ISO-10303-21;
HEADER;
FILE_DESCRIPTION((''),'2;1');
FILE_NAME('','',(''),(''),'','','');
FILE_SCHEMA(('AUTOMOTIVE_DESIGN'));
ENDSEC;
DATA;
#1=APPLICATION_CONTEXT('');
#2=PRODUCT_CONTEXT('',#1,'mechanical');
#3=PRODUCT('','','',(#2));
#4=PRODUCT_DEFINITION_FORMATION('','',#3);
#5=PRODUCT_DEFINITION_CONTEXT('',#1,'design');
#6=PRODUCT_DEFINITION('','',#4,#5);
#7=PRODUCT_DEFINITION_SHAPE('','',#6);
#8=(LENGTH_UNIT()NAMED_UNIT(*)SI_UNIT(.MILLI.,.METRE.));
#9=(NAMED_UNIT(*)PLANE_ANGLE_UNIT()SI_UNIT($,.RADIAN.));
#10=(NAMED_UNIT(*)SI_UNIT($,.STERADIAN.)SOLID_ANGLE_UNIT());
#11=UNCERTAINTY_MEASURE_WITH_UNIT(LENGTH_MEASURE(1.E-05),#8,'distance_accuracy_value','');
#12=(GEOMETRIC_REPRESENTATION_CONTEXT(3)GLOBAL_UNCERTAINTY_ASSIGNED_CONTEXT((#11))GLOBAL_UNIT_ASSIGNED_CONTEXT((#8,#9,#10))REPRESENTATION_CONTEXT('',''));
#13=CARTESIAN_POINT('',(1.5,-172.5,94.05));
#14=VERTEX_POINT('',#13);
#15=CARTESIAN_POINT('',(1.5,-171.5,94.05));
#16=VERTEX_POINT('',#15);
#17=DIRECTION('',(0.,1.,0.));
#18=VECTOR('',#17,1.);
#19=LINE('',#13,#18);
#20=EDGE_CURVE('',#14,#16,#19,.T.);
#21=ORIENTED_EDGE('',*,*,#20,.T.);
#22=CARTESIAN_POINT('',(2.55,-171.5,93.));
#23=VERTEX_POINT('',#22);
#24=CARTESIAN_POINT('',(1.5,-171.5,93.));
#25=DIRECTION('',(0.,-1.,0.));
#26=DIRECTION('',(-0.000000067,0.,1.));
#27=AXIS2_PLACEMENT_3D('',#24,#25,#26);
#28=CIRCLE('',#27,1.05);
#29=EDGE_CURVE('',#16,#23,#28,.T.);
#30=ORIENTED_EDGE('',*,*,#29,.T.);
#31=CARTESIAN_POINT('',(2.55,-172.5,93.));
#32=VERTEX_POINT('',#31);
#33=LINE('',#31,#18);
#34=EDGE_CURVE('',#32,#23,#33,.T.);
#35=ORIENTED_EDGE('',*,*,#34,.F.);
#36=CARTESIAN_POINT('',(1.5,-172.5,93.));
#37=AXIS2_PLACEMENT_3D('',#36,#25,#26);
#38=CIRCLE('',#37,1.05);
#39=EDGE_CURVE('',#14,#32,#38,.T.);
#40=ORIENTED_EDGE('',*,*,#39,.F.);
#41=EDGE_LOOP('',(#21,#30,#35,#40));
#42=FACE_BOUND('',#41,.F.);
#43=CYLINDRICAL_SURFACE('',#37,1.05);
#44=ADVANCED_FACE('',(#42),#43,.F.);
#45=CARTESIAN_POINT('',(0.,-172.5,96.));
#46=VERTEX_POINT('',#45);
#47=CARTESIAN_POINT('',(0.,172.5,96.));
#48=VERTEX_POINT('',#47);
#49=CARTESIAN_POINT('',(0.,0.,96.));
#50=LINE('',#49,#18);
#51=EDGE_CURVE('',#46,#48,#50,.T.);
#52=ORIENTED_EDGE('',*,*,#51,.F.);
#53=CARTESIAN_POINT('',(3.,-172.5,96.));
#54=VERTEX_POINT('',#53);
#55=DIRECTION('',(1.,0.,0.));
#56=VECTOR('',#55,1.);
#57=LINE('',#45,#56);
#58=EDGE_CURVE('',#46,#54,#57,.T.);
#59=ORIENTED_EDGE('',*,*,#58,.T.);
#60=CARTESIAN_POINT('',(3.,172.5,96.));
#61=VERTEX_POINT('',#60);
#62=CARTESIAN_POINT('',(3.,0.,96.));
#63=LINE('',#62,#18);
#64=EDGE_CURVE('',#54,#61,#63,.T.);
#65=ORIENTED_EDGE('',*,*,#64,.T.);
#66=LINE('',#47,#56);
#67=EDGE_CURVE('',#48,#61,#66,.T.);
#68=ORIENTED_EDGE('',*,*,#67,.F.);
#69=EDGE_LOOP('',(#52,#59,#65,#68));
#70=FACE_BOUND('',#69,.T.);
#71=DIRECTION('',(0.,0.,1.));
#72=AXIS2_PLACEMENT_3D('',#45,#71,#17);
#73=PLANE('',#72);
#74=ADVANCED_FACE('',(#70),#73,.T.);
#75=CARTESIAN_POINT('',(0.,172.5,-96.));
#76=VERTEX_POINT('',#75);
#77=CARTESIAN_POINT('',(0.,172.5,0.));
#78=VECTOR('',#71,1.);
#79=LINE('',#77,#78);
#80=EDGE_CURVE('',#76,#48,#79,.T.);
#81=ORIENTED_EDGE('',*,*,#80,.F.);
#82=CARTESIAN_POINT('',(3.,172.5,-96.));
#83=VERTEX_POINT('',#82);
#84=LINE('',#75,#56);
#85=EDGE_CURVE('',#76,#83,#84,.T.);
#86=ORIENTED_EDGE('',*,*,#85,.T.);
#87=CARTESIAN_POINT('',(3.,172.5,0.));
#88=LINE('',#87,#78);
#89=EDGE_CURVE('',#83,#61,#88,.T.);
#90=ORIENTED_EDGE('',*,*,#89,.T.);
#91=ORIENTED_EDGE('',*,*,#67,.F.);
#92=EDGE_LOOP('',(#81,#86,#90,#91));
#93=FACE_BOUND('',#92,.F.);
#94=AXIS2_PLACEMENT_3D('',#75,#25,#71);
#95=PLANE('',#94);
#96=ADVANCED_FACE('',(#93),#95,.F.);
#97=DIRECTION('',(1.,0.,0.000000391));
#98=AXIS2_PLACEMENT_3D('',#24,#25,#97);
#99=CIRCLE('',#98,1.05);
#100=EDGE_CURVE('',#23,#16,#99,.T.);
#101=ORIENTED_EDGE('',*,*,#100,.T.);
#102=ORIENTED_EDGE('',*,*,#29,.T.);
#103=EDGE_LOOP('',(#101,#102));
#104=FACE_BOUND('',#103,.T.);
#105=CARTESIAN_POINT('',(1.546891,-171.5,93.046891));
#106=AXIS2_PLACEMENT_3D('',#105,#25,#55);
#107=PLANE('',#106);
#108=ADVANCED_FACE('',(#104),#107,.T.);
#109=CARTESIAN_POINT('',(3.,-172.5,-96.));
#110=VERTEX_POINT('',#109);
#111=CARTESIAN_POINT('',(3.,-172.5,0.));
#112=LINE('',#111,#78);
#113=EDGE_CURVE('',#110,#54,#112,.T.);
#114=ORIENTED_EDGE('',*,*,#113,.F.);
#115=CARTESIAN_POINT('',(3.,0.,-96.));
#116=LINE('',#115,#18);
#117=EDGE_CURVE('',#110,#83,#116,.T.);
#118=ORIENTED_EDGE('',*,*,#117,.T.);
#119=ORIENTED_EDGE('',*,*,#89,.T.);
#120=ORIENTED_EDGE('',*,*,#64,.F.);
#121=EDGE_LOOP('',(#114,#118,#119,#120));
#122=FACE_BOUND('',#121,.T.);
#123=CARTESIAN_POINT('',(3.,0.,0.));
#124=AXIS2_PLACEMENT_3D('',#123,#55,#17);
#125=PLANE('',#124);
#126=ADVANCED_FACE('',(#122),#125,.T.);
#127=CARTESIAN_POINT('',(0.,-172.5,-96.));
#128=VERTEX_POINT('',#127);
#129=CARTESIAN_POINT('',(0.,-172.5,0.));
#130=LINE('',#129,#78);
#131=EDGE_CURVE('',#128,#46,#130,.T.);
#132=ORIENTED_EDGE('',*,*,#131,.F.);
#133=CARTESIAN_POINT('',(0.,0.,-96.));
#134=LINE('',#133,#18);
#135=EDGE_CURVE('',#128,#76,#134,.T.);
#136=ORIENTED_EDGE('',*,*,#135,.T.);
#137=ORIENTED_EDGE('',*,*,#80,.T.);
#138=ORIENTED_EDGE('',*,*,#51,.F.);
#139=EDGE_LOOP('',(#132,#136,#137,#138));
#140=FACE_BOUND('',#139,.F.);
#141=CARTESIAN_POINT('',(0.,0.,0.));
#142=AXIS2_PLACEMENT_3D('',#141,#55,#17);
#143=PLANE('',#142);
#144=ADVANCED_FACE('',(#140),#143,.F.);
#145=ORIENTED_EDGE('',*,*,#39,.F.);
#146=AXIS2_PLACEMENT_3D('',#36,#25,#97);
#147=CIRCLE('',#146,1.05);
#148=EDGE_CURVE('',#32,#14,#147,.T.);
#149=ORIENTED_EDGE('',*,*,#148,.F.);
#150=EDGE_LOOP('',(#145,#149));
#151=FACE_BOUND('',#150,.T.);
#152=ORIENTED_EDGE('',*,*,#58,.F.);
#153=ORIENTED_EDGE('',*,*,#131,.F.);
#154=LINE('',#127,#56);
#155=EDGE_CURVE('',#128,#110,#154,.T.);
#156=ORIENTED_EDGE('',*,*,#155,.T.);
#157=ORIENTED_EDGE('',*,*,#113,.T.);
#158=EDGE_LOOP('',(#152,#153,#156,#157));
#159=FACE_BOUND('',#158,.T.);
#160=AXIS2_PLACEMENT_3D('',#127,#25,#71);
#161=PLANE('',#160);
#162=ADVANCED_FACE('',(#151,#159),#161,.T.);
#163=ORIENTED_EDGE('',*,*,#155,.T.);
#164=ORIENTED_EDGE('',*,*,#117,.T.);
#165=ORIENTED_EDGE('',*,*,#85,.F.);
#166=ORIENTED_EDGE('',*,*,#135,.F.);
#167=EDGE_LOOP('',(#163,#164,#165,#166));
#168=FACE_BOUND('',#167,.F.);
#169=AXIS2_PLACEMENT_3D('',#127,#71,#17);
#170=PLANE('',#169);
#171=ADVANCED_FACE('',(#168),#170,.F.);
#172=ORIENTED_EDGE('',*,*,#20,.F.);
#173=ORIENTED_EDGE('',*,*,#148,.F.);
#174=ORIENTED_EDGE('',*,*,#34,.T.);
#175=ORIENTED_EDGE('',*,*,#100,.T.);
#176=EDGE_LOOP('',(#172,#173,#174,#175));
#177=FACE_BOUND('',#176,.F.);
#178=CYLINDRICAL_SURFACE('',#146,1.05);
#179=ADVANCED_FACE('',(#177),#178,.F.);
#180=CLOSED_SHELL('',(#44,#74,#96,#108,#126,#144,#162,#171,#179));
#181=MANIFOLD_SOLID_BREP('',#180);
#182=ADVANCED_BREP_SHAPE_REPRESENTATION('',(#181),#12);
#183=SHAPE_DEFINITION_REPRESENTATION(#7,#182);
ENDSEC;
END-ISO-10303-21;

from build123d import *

# Parameters (mm, degrees)
F0_W     = 345
F0_H     = 192
F1_DEPTH = 3
F3_DEPTH = 1


with BuildPart() as f1:
    # F0 (on Right) → F1 (new body)
    with BuildSketch(Plane.YZ):
        Rectangle(F0_W, F0_H)
    extrude(amount=F1_DEPTH)

    # F2 (on face) → F3 (cut)
    with BuildSketch(Plane.XZ.offset(172.5)):
        with BuildLine():
            ThreePointArc((2.55, 93), (2.242462, 93.742462), (1.5, 94.05))
            ThreePointArc((1.5, 94.05), (0.757538, 92.257538), (2.55, 93))
        make_face()
    extrude(amount=-F3_DEPTH, mode=Mode.SUBTRACT)


solid = f1.part
